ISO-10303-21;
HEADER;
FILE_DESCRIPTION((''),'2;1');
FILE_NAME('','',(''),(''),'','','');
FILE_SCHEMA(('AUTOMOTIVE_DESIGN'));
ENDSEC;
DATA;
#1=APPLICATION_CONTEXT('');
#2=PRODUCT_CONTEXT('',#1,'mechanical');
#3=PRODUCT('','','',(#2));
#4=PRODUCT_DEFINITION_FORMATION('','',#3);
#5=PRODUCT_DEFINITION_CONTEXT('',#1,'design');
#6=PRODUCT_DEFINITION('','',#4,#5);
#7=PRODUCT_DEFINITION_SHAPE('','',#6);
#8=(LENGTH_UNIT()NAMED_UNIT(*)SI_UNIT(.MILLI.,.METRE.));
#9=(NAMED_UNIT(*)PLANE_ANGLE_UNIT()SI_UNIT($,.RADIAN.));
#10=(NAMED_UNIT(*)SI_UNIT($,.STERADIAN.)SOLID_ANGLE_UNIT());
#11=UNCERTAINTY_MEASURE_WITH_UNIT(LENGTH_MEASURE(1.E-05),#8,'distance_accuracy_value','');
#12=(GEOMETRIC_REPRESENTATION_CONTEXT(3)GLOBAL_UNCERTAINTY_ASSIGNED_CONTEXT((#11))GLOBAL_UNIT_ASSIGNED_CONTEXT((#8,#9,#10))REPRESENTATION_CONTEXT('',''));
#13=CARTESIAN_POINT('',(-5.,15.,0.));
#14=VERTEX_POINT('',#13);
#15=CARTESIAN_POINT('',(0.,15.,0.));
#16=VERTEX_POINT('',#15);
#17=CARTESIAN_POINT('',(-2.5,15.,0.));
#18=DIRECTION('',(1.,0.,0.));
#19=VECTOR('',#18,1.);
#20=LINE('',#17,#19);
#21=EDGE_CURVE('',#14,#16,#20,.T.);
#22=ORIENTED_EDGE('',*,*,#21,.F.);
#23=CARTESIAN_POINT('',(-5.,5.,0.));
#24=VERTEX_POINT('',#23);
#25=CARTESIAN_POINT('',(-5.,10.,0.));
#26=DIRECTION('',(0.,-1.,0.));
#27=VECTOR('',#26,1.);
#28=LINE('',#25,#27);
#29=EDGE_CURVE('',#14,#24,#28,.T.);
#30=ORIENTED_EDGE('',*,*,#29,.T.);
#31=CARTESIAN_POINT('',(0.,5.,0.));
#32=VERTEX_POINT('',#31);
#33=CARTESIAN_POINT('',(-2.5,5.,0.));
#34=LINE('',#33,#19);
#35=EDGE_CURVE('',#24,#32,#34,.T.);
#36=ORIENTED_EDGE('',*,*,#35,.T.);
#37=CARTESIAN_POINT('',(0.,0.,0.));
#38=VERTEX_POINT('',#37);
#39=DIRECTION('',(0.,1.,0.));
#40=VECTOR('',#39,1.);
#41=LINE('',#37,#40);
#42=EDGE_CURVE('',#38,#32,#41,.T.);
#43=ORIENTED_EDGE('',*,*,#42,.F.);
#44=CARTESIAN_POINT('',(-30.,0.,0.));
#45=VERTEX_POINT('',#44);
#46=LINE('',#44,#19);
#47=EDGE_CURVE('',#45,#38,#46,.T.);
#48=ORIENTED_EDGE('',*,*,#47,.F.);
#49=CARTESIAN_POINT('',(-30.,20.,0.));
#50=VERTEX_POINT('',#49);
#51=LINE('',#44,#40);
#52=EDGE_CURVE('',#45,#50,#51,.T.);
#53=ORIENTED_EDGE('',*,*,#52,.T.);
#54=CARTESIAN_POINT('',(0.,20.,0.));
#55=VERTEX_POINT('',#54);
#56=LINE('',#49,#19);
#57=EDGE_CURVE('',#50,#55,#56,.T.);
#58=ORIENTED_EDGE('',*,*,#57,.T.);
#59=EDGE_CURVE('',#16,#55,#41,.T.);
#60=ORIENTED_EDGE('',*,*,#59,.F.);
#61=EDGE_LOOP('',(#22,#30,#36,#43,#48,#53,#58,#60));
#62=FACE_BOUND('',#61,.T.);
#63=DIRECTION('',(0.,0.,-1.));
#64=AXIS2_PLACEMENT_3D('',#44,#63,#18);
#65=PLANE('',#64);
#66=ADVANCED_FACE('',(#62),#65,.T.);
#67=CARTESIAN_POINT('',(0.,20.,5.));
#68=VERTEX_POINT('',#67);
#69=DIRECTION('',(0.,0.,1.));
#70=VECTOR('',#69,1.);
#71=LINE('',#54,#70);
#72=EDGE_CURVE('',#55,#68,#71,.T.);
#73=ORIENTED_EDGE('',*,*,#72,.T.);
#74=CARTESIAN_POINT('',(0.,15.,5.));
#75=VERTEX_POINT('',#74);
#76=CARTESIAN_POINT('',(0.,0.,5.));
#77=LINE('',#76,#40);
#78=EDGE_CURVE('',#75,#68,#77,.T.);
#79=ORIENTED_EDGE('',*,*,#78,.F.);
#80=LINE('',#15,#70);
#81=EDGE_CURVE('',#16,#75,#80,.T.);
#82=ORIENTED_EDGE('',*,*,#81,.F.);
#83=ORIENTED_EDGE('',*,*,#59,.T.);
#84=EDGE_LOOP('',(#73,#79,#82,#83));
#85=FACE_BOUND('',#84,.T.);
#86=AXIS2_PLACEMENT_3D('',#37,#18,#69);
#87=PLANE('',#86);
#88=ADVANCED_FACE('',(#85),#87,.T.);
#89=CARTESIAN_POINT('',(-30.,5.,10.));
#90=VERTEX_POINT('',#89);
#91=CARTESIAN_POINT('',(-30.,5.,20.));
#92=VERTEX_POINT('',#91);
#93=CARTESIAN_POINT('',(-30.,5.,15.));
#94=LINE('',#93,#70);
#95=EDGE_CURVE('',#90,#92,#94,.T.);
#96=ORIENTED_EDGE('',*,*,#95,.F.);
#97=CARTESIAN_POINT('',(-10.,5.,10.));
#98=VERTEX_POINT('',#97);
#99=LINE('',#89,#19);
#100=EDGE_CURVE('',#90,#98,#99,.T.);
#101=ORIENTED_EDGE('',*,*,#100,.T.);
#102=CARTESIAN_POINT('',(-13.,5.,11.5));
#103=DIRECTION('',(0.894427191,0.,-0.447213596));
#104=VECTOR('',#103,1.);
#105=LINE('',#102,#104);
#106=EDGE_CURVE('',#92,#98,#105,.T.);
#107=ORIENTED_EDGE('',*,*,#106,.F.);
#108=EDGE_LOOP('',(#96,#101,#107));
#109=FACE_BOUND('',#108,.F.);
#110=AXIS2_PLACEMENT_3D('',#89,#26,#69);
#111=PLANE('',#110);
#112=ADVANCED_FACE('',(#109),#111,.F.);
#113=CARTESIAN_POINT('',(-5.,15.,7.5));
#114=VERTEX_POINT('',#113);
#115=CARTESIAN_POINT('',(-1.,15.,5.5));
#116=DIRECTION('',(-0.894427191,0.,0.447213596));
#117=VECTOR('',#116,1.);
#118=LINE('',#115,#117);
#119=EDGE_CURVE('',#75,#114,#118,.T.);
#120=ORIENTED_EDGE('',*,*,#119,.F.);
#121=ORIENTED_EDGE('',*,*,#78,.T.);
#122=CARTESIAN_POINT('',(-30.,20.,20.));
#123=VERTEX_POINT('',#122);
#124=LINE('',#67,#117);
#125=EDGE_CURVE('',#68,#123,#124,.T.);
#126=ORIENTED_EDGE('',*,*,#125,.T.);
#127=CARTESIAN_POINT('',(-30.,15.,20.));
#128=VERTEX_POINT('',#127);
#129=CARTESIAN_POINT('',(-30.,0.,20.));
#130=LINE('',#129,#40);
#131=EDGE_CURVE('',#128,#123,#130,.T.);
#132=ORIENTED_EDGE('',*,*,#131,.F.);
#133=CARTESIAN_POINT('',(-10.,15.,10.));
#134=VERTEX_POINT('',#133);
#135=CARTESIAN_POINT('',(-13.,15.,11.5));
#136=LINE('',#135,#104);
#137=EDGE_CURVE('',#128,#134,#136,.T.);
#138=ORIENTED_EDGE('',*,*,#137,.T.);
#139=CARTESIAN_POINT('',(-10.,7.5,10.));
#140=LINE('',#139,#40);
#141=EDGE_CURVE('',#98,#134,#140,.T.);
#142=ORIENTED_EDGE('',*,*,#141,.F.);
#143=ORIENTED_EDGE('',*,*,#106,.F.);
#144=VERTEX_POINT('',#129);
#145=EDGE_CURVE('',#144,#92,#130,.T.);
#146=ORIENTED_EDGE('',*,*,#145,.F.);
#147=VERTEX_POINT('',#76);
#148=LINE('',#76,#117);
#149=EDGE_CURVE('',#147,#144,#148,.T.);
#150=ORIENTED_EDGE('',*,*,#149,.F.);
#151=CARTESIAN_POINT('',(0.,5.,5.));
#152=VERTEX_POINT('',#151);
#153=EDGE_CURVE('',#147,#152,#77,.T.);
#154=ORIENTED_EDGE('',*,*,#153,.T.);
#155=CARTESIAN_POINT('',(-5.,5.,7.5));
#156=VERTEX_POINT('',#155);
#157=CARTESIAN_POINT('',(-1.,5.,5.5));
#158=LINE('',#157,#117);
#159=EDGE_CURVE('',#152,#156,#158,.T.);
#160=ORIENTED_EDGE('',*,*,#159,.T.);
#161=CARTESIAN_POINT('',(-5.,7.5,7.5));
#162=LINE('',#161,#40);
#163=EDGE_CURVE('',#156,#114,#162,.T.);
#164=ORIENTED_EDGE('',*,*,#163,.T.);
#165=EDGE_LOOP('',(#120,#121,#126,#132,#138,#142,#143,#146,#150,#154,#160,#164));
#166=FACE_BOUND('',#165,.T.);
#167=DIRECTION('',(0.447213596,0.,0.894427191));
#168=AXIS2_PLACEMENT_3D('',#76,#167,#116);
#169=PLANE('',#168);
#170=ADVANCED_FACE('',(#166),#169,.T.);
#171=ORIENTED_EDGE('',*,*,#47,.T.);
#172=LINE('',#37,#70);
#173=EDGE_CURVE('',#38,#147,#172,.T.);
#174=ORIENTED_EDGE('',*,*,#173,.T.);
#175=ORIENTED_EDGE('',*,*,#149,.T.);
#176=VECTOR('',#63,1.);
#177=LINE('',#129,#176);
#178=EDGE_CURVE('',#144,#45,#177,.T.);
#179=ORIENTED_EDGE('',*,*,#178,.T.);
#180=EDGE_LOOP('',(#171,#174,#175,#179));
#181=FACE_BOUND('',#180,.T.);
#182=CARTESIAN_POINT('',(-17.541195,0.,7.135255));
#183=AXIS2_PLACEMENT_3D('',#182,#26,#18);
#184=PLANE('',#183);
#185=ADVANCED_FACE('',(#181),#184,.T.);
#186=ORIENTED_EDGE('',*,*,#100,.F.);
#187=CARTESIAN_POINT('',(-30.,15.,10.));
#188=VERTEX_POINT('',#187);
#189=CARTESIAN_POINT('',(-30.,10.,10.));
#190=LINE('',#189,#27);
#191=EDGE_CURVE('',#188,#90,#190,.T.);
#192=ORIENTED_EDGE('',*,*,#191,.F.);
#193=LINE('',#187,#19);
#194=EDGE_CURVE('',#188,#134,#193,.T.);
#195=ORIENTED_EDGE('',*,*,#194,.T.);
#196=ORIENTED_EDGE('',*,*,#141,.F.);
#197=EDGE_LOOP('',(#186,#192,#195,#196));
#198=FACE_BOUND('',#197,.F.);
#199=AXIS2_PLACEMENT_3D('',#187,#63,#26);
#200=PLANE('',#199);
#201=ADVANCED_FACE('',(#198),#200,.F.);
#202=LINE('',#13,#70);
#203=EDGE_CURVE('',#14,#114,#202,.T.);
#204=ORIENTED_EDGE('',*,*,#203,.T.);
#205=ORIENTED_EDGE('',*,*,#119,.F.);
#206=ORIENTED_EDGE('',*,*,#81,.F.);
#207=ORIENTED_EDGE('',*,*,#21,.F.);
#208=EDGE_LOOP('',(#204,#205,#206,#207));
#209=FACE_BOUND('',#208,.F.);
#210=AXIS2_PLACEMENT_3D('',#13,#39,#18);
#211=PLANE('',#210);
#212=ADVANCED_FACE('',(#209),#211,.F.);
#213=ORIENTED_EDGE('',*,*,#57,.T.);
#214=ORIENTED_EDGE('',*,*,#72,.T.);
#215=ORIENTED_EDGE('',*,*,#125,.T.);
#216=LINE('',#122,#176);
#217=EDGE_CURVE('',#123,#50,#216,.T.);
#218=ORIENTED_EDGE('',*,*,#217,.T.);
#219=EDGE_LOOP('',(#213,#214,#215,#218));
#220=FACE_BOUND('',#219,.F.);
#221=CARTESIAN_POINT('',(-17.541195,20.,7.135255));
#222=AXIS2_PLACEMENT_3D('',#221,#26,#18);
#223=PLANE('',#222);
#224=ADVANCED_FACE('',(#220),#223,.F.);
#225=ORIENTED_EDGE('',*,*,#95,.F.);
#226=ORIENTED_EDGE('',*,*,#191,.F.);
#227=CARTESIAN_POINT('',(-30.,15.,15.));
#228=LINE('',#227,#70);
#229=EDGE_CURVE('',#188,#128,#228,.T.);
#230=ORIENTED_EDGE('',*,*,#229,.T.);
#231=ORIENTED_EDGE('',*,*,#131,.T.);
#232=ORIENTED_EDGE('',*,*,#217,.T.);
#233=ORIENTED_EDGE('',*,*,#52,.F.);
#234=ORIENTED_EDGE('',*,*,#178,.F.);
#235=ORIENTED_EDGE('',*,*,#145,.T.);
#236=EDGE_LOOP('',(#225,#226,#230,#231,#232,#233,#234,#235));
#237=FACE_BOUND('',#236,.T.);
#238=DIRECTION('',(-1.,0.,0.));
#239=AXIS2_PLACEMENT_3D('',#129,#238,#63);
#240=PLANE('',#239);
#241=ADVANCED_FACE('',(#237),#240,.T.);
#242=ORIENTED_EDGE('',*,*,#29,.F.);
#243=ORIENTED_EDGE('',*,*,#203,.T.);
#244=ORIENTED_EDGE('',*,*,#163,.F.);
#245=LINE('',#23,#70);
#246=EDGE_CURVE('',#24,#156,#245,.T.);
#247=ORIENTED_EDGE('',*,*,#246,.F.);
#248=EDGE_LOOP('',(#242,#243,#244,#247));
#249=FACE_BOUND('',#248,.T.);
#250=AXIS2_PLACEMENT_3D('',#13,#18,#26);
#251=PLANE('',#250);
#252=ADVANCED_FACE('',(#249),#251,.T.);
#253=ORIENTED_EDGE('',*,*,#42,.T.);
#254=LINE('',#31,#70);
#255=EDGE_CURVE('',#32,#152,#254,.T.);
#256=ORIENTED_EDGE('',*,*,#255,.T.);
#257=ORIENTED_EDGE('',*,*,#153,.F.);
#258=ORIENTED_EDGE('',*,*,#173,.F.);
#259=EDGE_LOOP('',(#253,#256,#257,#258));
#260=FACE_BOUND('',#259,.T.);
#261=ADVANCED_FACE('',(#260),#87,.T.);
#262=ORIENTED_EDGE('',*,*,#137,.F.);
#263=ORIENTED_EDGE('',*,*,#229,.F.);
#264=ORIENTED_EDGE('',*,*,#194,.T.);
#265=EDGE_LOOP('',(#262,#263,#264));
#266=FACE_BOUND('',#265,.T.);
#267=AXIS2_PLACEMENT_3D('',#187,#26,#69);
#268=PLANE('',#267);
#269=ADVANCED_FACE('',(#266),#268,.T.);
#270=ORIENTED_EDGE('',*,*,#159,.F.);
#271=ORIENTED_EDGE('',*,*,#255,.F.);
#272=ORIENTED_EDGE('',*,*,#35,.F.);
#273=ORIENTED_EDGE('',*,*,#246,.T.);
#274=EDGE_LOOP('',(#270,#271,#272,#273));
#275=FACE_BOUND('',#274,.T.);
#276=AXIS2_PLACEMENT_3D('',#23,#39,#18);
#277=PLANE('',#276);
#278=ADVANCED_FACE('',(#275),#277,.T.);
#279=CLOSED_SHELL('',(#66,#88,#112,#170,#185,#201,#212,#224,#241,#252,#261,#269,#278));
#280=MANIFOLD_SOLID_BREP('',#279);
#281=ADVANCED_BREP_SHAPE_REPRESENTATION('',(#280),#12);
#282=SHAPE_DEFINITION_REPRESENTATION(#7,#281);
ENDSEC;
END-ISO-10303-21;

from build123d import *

# Parameters (mm, degrees)
F1_DEPTH = 20
F2_W     = 10
F2_H     = 10
F3_DEPTH = 30.001
F4_W     = 5
F4_H     = 10
F5_DEPTH = 20.001


with BuildPart() as f1:
    # F0 (on Front) → F1 (new body)
    with BuildSketch(Plane.XZ):
        Polygon((-30, 0), (0, 0), (0, 5), (-30, 20), align=None)
    extrude(amount=-F1_DEPTH)

    # F2 (on face) → F3 (cut, through all)
    with BuildSketch(Plane(origin=(-30, 0, 0), x_dir=(0, -1, 0), z_dir=(-1, 0, 0))):
        with Locations((-10, 15)):
            Rectangle(F2_W, F2_H)
    extrude(amount=-F3_DEPTH, mode=Mode.SUBTRACT)

    # F4 (on face) → F5 (cut, through all)
    with BuildSketch(Plane(origin=(0, 0, 0), x_dir=(1, 0, 0), z_dir=(0, 0, -1))):
        with Locations((-2.5, -10)):
            Rectangle(F4_W, F4_H)
    extrude(amount=-F5_DEPTH, mode=Mode.SUBTRACT)


solid = f1.part
